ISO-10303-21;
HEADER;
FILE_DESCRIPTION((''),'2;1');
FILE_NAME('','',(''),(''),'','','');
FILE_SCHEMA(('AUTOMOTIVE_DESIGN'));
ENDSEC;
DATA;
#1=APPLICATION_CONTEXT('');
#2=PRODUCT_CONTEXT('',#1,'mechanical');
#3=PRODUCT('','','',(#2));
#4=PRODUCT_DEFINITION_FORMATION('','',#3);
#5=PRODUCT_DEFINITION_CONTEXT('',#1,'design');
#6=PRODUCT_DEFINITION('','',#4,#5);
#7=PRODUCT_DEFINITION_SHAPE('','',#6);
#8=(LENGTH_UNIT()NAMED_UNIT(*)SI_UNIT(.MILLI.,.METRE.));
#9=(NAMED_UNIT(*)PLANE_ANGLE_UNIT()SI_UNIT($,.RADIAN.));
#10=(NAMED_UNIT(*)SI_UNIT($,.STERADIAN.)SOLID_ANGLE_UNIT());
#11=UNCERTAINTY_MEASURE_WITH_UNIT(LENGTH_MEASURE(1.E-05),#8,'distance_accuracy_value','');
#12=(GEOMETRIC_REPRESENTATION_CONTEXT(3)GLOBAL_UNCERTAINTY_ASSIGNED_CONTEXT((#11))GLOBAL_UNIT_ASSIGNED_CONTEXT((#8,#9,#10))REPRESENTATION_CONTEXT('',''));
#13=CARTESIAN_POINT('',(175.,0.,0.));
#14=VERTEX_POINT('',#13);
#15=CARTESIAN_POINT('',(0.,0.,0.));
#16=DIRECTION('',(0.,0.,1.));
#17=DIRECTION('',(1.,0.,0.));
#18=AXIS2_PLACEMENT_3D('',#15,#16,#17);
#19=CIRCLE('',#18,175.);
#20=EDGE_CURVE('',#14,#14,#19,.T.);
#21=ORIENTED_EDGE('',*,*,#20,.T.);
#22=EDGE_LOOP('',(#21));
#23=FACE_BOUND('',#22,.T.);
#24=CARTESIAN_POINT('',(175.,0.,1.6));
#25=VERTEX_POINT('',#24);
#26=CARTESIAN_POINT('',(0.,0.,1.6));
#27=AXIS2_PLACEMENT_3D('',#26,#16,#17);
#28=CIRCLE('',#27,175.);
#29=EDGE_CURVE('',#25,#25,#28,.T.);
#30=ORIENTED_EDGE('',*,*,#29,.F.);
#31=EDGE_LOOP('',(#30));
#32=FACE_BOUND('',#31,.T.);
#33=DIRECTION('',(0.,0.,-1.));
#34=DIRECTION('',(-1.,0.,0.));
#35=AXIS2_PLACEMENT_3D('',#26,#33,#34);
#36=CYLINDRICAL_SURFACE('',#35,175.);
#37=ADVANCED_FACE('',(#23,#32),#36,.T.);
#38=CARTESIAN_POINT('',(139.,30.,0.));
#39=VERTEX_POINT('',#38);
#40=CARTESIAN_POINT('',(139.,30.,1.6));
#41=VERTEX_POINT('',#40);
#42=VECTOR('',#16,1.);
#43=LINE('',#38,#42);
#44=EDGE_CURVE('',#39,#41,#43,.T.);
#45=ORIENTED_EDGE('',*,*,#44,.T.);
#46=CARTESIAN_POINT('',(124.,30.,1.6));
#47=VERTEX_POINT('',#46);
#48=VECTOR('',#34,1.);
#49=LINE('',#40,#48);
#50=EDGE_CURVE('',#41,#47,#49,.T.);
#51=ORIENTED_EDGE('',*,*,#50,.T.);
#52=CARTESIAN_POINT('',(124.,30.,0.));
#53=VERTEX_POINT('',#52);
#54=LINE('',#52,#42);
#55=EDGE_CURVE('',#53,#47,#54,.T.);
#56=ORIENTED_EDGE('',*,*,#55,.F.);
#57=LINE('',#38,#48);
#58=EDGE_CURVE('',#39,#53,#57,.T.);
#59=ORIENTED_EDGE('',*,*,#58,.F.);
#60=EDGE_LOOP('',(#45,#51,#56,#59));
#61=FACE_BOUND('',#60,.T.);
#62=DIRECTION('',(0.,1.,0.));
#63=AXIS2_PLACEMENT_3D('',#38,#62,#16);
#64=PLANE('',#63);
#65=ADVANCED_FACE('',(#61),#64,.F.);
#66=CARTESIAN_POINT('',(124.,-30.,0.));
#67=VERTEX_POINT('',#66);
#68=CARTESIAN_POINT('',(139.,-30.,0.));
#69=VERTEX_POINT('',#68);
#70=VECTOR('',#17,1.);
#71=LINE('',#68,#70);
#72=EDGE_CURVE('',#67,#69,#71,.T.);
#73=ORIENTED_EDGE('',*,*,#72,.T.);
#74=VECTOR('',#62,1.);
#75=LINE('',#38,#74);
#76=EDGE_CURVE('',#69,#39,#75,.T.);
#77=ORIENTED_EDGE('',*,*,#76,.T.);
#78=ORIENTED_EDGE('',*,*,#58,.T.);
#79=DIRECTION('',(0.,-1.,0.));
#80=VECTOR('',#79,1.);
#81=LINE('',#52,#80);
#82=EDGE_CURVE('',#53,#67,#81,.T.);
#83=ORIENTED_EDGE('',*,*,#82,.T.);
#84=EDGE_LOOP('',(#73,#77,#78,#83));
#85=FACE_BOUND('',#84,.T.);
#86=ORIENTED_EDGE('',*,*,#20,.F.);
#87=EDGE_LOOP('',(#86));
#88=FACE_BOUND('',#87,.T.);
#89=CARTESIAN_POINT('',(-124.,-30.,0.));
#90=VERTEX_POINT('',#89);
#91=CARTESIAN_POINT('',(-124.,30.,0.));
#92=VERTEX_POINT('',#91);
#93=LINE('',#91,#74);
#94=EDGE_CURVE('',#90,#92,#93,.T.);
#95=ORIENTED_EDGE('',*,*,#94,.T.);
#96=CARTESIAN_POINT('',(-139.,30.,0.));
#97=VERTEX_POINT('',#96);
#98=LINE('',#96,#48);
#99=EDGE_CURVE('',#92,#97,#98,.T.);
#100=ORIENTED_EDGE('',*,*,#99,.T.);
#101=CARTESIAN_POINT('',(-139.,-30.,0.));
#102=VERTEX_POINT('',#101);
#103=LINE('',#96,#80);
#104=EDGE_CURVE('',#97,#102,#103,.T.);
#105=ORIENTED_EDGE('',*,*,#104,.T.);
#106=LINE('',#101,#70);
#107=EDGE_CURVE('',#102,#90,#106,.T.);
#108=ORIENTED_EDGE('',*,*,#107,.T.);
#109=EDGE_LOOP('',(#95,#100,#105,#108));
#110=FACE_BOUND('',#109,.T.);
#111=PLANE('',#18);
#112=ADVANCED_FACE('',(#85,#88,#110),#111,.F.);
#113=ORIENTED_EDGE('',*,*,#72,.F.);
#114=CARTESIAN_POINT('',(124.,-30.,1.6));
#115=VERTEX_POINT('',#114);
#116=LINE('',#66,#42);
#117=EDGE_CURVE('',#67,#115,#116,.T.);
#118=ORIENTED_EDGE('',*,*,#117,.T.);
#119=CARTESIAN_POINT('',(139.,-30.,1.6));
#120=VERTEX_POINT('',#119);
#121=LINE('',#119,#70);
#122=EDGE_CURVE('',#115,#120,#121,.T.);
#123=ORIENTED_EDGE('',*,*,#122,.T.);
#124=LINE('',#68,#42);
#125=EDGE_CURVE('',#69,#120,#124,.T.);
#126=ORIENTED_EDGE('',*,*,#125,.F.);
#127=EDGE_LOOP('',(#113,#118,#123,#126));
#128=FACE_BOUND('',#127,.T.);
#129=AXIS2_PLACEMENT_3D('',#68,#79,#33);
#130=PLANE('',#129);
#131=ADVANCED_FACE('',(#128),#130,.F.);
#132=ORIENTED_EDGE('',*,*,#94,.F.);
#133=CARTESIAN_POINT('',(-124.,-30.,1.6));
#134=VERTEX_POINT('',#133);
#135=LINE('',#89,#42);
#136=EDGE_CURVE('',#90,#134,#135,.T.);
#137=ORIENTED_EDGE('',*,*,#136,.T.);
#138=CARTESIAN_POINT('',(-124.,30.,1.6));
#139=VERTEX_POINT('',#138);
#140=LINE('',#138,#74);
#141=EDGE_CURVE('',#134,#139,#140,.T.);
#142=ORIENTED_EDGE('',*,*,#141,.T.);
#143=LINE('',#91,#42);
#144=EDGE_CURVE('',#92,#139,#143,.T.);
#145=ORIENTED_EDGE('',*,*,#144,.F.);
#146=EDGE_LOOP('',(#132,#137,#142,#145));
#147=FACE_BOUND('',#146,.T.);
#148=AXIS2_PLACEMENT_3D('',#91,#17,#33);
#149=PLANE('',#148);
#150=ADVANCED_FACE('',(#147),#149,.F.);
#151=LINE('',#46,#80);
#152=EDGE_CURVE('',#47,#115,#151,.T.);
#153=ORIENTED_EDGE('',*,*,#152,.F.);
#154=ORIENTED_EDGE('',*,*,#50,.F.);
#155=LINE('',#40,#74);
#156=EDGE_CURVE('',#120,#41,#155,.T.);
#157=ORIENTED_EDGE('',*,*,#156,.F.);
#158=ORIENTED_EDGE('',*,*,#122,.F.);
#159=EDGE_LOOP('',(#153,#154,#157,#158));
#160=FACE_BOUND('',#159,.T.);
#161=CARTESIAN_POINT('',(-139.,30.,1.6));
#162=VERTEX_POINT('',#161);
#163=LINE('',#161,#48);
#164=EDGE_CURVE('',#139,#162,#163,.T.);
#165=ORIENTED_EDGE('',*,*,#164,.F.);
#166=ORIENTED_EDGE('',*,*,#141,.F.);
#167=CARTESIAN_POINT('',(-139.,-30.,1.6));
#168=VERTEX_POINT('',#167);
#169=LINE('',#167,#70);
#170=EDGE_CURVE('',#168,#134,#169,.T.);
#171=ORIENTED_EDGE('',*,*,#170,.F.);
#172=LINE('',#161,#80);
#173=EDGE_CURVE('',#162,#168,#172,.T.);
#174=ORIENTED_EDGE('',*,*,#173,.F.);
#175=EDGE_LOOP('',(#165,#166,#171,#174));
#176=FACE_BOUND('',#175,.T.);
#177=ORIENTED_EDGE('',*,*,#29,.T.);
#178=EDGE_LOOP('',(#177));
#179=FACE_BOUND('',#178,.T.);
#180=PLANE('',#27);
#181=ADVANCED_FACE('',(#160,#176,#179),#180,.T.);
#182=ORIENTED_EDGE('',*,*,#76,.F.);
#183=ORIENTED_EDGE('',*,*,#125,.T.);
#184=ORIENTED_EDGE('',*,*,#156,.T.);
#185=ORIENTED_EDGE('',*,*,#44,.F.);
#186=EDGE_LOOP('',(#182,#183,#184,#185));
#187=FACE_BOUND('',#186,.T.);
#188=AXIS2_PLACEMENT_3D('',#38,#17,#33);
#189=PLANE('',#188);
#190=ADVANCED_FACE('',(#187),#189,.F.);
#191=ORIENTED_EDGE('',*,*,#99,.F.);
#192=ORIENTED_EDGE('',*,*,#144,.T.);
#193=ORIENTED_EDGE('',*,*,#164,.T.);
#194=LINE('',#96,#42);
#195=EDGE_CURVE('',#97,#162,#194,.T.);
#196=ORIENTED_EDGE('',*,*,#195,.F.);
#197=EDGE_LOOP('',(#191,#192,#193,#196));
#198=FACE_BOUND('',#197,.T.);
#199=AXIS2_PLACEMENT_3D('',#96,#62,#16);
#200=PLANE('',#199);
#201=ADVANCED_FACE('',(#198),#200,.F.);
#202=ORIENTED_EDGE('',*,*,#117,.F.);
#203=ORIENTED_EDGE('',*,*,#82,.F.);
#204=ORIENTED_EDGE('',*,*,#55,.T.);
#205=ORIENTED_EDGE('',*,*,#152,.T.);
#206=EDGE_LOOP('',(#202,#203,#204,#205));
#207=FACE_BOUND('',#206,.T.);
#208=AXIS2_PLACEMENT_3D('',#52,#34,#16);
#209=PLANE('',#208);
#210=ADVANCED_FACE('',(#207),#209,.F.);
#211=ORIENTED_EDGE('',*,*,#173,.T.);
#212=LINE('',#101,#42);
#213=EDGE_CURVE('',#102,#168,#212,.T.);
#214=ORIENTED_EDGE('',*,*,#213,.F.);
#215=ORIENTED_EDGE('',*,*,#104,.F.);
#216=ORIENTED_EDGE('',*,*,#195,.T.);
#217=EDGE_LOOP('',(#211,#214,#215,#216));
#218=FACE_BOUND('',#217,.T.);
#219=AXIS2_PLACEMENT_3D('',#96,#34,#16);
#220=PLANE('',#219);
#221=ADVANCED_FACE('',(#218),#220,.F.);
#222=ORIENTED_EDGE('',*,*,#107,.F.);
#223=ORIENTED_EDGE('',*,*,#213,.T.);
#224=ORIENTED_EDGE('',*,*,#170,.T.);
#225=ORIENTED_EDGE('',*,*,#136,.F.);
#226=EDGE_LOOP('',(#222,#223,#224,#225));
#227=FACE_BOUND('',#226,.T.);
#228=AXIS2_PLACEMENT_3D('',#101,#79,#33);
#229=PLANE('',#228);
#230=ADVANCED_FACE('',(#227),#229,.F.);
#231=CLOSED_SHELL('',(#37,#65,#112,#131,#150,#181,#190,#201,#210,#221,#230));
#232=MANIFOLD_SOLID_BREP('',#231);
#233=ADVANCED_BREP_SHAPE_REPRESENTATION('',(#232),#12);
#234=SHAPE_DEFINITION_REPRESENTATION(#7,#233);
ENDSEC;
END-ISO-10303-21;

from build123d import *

# Parameters (mm, degrees)
SKETCH1_R           = 175
BOSS_EXTRUDE1_DEPTH = 1.6
SKETCH2_W           = 15
SKETCH2_H           = 60
CUT_EXTRUDE1_DEPTH  = 2.6


with BuildPart() as part:
    # Sketch1 → Boss-Extrude1 (new body)
    with BuildSketch(Plane.XY):
        Circle(SKETCH1_R)
    extrude(amount=BOSS_EXTRUDE1_DEPTH)

    # Sketch2 → Cut-Extrude1 (cut, through all)
    with BuildSketch(Plane.XY.offset(1.6)):
        with Locations((-131.5, 0)):
            Rectangle(SKETCH2_W, SKETCH2_H)
        with Locations((131.5, 0)):
            Rectangle(SKETCH2_W, SKETCH2_H)
    extrude(amount=-CUT_EXTRUDE1_DEPTH, mode=Mode.SUBTRACT)


solid = part.part
